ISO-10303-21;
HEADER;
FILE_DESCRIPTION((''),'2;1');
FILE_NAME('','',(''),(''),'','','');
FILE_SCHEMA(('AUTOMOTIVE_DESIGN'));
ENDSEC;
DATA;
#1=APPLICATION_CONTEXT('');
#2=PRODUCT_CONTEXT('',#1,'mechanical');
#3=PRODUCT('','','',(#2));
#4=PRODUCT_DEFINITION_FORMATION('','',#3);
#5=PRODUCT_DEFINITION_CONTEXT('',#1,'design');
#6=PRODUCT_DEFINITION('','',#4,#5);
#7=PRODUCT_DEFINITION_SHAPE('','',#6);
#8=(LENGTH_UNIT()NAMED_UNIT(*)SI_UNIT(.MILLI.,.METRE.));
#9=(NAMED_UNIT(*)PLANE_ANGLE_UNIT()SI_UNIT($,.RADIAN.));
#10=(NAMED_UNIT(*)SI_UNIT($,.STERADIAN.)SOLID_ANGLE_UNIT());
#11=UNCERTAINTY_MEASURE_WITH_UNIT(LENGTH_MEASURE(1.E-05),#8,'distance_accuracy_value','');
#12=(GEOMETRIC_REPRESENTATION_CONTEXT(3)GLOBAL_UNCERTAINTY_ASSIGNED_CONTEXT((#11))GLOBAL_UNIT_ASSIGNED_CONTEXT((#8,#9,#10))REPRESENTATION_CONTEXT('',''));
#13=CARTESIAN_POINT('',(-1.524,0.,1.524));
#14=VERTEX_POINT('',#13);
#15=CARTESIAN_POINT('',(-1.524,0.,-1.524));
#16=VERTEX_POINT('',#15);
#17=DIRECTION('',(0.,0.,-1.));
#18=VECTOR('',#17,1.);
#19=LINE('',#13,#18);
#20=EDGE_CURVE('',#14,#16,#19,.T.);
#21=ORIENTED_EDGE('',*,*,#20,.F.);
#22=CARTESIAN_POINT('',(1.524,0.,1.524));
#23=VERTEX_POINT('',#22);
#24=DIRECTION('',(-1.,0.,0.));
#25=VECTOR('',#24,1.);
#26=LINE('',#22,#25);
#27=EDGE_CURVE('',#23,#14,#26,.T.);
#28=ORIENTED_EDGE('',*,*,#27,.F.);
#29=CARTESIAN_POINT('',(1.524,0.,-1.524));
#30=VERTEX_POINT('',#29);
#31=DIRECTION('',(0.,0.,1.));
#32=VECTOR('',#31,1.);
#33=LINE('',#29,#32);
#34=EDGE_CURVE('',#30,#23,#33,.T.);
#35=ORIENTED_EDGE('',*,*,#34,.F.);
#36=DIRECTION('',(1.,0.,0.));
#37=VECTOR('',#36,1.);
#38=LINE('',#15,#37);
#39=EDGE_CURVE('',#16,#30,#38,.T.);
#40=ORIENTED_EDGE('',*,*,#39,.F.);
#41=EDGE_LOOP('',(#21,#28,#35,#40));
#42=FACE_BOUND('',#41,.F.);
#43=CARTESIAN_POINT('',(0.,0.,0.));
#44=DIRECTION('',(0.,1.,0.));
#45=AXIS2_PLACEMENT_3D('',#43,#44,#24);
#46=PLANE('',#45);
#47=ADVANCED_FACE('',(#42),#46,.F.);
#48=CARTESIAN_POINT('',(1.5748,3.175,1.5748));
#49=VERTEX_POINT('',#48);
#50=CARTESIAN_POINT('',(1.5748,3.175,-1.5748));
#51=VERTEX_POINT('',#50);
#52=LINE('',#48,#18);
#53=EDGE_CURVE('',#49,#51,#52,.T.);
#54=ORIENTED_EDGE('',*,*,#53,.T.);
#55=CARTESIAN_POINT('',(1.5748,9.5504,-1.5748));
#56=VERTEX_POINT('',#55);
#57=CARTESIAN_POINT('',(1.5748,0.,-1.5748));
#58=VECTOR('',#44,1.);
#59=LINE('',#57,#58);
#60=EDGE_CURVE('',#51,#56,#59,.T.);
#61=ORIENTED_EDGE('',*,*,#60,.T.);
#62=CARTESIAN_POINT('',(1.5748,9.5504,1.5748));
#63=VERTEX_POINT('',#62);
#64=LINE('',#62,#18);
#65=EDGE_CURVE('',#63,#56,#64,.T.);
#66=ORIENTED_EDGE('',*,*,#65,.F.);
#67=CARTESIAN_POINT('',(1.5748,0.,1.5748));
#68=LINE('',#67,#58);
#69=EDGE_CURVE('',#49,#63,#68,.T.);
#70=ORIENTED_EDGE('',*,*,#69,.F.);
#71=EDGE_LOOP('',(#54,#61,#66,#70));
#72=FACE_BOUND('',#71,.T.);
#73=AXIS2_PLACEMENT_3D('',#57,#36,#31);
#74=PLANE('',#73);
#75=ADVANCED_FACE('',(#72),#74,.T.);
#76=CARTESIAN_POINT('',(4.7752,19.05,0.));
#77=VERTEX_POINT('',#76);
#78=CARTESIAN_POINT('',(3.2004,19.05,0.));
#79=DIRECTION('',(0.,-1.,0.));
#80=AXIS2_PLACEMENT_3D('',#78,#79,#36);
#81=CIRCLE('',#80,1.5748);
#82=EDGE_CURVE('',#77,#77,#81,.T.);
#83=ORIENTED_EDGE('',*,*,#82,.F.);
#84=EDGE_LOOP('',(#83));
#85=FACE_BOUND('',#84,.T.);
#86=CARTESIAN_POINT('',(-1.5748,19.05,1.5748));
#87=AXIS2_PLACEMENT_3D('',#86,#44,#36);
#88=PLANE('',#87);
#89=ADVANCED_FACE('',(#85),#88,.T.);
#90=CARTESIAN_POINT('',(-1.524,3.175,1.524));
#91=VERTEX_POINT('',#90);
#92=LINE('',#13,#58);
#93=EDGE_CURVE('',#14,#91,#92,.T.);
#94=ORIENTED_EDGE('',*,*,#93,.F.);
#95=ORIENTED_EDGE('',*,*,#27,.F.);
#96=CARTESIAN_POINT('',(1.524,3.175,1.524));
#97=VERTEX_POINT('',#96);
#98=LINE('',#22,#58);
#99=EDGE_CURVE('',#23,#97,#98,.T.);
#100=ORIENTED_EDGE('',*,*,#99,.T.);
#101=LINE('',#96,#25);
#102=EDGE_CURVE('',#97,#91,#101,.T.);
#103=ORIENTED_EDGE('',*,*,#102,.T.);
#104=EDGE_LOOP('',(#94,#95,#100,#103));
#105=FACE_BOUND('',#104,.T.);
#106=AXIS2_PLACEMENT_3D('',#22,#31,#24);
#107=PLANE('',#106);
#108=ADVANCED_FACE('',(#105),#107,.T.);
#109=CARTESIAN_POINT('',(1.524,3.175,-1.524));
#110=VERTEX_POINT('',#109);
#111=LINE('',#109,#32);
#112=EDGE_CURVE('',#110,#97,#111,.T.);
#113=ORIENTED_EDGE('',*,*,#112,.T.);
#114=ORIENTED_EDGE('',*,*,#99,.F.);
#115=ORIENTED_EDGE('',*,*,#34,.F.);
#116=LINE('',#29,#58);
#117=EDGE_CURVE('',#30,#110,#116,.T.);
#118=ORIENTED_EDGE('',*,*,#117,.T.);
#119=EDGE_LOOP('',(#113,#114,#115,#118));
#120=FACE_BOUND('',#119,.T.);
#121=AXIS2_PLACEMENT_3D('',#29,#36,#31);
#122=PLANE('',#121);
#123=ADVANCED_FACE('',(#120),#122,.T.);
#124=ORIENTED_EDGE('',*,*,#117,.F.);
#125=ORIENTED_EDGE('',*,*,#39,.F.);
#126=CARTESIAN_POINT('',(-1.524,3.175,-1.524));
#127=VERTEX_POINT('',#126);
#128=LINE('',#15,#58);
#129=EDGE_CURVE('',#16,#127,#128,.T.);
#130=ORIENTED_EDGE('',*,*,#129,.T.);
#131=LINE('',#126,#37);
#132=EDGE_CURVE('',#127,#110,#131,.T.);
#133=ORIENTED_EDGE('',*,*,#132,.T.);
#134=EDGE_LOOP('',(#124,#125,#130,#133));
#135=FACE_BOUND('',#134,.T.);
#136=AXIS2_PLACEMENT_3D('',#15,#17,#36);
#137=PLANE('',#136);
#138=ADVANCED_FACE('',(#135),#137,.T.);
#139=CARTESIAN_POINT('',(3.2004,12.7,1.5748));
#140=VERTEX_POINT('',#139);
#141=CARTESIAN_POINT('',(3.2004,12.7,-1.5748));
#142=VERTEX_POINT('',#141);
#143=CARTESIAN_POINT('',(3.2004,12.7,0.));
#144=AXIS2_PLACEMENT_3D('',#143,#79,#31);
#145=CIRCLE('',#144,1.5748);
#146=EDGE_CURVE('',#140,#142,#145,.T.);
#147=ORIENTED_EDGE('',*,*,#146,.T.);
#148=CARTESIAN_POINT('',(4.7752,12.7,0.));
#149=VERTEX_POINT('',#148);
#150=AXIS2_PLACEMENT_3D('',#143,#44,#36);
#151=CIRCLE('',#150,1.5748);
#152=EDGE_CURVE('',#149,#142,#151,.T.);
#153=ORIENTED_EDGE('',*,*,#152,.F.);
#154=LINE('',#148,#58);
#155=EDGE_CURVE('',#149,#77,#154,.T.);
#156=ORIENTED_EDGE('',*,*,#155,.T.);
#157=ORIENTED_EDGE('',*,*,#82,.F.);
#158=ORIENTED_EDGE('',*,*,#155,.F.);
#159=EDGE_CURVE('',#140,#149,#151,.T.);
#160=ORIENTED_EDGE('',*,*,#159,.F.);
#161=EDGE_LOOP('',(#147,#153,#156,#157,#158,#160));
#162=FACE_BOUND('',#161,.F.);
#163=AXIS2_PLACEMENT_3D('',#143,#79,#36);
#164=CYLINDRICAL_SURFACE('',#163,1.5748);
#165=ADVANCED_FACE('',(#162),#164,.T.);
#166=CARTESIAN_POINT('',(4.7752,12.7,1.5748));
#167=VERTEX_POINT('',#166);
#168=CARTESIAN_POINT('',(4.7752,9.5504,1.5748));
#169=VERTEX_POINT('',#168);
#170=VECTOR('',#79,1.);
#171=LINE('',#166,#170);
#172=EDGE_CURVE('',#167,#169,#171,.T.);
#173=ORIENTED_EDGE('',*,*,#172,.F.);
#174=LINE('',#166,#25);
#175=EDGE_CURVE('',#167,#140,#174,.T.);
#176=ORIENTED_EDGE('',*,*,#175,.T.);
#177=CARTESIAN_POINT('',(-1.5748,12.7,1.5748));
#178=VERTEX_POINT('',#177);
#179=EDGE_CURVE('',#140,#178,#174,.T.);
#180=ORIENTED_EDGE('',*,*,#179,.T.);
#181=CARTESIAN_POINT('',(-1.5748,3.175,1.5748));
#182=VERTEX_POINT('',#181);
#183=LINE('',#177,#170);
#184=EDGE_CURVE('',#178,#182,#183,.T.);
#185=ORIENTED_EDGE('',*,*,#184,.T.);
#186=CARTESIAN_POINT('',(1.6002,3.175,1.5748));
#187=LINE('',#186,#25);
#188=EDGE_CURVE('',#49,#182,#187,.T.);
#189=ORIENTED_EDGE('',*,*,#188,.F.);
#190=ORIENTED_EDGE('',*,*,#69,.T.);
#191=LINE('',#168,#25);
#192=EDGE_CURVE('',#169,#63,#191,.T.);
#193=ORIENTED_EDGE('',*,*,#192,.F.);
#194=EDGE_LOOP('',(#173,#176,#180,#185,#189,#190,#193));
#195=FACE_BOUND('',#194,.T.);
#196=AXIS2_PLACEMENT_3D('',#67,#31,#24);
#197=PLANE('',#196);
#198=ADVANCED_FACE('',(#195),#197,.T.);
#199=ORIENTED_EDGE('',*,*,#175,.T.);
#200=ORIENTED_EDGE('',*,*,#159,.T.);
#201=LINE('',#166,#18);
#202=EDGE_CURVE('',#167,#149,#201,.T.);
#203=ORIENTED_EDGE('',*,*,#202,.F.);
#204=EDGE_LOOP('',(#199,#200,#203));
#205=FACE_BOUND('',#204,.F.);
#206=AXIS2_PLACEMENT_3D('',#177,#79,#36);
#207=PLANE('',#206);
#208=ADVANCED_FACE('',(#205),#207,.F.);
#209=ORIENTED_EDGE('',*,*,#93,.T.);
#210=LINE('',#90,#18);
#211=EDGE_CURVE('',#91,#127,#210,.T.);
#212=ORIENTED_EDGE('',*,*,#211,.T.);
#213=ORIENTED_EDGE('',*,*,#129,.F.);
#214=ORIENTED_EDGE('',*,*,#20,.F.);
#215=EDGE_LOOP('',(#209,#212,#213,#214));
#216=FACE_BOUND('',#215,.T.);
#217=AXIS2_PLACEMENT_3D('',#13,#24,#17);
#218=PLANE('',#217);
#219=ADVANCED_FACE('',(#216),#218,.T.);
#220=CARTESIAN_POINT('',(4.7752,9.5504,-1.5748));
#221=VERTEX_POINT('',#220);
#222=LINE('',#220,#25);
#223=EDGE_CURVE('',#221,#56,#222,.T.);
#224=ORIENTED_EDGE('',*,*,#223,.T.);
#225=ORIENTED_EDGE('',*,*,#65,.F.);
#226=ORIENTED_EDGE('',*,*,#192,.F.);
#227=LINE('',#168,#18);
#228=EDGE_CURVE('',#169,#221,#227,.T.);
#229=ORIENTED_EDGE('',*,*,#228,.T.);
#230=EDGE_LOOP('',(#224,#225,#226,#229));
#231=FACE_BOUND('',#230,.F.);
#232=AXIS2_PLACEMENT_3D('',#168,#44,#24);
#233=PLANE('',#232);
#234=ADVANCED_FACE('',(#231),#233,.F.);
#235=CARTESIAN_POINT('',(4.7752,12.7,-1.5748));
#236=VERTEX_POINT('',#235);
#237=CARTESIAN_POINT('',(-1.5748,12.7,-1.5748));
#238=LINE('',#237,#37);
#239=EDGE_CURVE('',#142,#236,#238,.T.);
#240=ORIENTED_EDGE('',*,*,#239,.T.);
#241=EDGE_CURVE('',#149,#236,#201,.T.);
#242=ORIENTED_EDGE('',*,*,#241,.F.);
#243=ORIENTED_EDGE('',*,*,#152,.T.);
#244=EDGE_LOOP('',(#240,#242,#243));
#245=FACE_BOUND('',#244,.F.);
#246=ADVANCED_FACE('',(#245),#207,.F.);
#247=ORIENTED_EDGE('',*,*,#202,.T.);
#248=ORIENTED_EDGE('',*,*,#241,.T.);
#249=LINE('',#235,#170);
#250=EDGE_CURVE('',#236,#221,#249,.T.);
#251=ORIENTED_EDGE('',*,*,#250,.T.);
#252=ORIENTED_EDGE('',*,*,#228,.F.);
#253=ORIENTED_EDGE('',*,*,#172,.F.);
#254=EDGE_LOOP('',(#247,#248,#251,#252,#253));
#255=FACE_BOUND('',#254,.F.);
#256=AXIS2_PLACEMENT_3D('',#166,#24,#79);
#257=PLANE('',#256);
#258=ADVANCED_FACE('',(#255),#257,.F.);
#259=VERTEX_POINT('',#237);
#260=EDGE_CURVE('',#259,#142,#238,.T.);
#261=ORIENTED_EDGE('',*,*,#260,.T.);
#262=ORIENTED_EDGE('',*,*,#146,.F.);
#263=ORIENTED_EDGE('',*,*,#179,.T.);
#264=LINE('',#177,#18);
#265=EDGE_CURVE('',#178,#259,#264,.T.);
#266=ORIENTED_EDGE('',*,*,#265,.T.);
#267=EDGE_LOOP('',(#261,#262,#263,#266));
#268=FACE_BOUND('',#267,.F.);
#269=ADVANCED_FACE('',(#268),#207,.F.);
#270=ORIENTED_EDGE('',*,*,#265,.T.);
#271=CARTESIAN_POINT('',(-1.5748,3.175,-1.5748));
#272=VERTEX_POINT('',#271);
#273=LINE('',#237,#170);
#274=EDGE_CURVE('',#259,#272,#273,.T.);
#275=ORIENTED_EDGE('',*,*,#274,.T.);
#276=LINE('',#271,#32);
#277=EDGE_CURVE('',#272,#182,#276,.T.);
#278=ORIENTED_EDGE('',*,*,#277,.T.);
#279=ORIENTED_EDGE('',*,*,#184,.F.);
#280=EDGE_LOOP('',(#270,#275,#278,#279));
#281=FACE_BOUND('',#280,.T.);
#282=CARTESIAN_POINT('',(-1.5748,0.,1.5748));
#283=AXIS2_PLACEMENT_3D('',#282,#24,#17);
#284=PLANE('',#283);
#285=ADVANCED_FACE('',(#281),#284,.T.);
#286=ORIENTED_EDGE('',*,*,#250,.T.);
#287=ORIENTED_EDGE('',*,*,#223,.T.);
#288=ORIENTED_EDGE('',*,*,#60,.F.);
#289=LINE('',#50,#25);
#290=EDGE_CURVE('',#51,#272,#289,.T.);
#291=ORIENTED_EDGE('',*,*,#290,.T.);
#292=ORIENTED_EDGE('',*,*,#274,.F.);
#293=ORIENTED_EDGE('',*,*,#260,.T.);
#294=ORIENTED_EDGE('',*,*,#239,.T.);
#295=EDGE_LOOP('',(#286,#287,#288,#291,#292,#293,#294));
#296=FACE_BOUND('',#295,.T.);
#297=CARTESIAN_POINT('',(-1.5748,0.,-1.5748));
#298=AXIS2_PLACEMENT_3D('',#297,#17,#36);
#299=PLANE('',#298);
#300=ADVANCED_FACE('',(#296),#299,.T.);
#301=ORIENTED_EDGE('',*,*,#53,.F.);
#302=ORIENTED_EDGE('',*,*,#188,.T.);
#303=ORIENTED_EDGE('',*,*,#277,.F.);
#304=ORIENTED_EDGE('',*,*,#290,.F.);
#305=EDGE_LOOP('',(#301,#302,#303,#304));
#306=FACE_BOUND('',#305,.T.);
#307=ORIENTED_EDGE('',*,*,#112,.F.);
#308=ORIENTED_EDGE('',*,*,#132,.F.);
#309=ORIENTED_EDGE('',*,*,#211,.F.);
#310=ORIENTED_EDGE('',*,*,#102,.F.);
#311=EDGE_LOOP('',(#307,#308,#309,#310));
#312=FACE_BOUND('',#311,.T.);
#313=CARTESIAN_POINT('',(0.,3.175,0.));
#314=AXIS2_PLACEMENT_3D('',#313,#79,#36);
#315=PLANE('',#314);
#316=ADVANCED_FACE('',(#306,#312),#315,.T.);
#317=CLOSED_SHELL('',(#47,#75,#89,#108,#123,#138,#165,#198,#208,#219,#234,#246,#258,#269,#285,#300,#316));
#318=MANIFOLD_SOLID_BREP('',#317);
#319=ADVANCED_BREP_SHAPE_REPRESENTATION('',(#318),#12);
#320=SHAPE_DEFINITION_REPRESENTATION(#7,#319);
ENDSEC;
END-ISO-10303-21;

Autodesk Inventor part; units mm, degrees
ref_plane "YZ Plane" through (0, 0, 0) normal (1, 0, 0) x (0, 1, 0)
ref_plane "XZ Plane" through (0, 0, 0) normal (0, 1, 0) x (-1, 0, 0)
ref_plane "XY Plane" through (0, 0, 0) normal (0, 0, 1) x (1, 0, 0)
sketch "Sketch1" plane through (0, 0, 0) normal (0, 1, 0) x (-1, 0, 0)
  line L0 (-1.5748, 1.5748) -> (1.5748, 1.5748)
  line L1 (1.5748, 1.5748) -> (1.5748, -1.5748)
  line L2 (1.5748, -1.5748) -> (-1.5748, -1.5748)
  line L3 (-1.5748, -1.5748) -> (-1.5748, 1.5748)
  line L4 (-1.5748, 1.5748) -> (1.5748, -1.5748) construction
  line L5 (1.5748, 1.5748) -> (-1.5748, -1.5748) construction
  point P0 (0, 0)
  dimension "d0" = 3.1496
  dimension "d1" = 3.1496
extrude "Extrusion1" add sketch "Sketch1" along normal blind 6.35
sketch "Sketch2" plane through (-1.5748, 0, 1.5748) normal (0, 0, 1) x (1, 0, 0)
  line L0 (3.1496, 0) -> (0, 0) projected
  line L1 (3.1496, 0) -> (0, 0)
  line L2 (0, 0) -> (0, 12.7)
  line L3 (0, 12.7) -> (3.1496, 12.7)
  line L4 (3.1496, 12.7) -> (3.1496, 0)
  line L5 (0, 12.7) -> (6.35, 12.7)
  line L6 (6.35, 12.7) -> (6.35, 9.5504)
  line L7 (6.35, 9.5504) -> (0, 9.5504)
  line L8 (0, 9.5504) -> (0, 12.7)
  point P0 (1.5748, 0)
  point P1 (3.1496, 9.5504)
  dimension "d4" = 12.7
  dimension "d5" = 6.35
  dimension "d6" = 3.1496
extrude "Extrusion2" add sketch "Sketch2" against normal blind 3.1496
sketch "Sketch3" plane through (-1.5748, 12.7, 1.5748) normal (0, 1, 0) x (1, 0, 0)
  line L0 (0, 3.1496) -> (6.35, 3.1496) projected
  line L1 (6.35, 3.1496) -> (3.2004, 3.1496)
  line L2 (3.2004, 3.1496) -> (3.2004, 0)
  line L3 (3.2004, 0) -> (6.35, 0)
  line L4 (6.35, 0) -> (6.35, 3.1496)
  circle A0 centre (4.7752, 1.5748) radius 1.5748
  point P0 (1.5748, 1.5748)
  dimension "d9" = 3.1496
  dimension "d10" = 3.1496
extrude "Extrusion3" add sketch "Sketch3" along normal blind 6.35 contours A0
sketch "Sketch4" plane through (0, 0, 0) normal (0, -1, 0) x (1, 0, 0)
  line L0 (1.5748, -1.5748) -> (-1.5748, -1.5748) projected
  line L1 (1.5748, 1.5748) -> (1.5748, -1.5748) projected
  line L2 (1.6002, 1.5748) -> (-1.5748, 1.5748) projected
  line L3 (-1.5748, -1.5748) -> (-1.5748, 1.5748) projected
  line L4 (1.524, 1.524) -> (-1.524, 1.524)
  line L5 (-1.524, 1.524) -> (-1.524, -1.524)
  line L6 (-1.524, -1.524) -> (1.524, -1.524)
  line L7 (1.524, -1.524) -> (1.524, 1.524)
  line L8 (1.524, 1.524) -> (-1.524, -1.524) construction
  line L9 (-1.524, 1.524) -> (1.524, -1.524) construction
  point P0 (0, 0)
  dimension "d13" = 3.048
  dimension "d14" = 3.048
extrude "Extrusion4" cut sketch "Sketch4" against normal blind 3.175
properties part number "Handle"
